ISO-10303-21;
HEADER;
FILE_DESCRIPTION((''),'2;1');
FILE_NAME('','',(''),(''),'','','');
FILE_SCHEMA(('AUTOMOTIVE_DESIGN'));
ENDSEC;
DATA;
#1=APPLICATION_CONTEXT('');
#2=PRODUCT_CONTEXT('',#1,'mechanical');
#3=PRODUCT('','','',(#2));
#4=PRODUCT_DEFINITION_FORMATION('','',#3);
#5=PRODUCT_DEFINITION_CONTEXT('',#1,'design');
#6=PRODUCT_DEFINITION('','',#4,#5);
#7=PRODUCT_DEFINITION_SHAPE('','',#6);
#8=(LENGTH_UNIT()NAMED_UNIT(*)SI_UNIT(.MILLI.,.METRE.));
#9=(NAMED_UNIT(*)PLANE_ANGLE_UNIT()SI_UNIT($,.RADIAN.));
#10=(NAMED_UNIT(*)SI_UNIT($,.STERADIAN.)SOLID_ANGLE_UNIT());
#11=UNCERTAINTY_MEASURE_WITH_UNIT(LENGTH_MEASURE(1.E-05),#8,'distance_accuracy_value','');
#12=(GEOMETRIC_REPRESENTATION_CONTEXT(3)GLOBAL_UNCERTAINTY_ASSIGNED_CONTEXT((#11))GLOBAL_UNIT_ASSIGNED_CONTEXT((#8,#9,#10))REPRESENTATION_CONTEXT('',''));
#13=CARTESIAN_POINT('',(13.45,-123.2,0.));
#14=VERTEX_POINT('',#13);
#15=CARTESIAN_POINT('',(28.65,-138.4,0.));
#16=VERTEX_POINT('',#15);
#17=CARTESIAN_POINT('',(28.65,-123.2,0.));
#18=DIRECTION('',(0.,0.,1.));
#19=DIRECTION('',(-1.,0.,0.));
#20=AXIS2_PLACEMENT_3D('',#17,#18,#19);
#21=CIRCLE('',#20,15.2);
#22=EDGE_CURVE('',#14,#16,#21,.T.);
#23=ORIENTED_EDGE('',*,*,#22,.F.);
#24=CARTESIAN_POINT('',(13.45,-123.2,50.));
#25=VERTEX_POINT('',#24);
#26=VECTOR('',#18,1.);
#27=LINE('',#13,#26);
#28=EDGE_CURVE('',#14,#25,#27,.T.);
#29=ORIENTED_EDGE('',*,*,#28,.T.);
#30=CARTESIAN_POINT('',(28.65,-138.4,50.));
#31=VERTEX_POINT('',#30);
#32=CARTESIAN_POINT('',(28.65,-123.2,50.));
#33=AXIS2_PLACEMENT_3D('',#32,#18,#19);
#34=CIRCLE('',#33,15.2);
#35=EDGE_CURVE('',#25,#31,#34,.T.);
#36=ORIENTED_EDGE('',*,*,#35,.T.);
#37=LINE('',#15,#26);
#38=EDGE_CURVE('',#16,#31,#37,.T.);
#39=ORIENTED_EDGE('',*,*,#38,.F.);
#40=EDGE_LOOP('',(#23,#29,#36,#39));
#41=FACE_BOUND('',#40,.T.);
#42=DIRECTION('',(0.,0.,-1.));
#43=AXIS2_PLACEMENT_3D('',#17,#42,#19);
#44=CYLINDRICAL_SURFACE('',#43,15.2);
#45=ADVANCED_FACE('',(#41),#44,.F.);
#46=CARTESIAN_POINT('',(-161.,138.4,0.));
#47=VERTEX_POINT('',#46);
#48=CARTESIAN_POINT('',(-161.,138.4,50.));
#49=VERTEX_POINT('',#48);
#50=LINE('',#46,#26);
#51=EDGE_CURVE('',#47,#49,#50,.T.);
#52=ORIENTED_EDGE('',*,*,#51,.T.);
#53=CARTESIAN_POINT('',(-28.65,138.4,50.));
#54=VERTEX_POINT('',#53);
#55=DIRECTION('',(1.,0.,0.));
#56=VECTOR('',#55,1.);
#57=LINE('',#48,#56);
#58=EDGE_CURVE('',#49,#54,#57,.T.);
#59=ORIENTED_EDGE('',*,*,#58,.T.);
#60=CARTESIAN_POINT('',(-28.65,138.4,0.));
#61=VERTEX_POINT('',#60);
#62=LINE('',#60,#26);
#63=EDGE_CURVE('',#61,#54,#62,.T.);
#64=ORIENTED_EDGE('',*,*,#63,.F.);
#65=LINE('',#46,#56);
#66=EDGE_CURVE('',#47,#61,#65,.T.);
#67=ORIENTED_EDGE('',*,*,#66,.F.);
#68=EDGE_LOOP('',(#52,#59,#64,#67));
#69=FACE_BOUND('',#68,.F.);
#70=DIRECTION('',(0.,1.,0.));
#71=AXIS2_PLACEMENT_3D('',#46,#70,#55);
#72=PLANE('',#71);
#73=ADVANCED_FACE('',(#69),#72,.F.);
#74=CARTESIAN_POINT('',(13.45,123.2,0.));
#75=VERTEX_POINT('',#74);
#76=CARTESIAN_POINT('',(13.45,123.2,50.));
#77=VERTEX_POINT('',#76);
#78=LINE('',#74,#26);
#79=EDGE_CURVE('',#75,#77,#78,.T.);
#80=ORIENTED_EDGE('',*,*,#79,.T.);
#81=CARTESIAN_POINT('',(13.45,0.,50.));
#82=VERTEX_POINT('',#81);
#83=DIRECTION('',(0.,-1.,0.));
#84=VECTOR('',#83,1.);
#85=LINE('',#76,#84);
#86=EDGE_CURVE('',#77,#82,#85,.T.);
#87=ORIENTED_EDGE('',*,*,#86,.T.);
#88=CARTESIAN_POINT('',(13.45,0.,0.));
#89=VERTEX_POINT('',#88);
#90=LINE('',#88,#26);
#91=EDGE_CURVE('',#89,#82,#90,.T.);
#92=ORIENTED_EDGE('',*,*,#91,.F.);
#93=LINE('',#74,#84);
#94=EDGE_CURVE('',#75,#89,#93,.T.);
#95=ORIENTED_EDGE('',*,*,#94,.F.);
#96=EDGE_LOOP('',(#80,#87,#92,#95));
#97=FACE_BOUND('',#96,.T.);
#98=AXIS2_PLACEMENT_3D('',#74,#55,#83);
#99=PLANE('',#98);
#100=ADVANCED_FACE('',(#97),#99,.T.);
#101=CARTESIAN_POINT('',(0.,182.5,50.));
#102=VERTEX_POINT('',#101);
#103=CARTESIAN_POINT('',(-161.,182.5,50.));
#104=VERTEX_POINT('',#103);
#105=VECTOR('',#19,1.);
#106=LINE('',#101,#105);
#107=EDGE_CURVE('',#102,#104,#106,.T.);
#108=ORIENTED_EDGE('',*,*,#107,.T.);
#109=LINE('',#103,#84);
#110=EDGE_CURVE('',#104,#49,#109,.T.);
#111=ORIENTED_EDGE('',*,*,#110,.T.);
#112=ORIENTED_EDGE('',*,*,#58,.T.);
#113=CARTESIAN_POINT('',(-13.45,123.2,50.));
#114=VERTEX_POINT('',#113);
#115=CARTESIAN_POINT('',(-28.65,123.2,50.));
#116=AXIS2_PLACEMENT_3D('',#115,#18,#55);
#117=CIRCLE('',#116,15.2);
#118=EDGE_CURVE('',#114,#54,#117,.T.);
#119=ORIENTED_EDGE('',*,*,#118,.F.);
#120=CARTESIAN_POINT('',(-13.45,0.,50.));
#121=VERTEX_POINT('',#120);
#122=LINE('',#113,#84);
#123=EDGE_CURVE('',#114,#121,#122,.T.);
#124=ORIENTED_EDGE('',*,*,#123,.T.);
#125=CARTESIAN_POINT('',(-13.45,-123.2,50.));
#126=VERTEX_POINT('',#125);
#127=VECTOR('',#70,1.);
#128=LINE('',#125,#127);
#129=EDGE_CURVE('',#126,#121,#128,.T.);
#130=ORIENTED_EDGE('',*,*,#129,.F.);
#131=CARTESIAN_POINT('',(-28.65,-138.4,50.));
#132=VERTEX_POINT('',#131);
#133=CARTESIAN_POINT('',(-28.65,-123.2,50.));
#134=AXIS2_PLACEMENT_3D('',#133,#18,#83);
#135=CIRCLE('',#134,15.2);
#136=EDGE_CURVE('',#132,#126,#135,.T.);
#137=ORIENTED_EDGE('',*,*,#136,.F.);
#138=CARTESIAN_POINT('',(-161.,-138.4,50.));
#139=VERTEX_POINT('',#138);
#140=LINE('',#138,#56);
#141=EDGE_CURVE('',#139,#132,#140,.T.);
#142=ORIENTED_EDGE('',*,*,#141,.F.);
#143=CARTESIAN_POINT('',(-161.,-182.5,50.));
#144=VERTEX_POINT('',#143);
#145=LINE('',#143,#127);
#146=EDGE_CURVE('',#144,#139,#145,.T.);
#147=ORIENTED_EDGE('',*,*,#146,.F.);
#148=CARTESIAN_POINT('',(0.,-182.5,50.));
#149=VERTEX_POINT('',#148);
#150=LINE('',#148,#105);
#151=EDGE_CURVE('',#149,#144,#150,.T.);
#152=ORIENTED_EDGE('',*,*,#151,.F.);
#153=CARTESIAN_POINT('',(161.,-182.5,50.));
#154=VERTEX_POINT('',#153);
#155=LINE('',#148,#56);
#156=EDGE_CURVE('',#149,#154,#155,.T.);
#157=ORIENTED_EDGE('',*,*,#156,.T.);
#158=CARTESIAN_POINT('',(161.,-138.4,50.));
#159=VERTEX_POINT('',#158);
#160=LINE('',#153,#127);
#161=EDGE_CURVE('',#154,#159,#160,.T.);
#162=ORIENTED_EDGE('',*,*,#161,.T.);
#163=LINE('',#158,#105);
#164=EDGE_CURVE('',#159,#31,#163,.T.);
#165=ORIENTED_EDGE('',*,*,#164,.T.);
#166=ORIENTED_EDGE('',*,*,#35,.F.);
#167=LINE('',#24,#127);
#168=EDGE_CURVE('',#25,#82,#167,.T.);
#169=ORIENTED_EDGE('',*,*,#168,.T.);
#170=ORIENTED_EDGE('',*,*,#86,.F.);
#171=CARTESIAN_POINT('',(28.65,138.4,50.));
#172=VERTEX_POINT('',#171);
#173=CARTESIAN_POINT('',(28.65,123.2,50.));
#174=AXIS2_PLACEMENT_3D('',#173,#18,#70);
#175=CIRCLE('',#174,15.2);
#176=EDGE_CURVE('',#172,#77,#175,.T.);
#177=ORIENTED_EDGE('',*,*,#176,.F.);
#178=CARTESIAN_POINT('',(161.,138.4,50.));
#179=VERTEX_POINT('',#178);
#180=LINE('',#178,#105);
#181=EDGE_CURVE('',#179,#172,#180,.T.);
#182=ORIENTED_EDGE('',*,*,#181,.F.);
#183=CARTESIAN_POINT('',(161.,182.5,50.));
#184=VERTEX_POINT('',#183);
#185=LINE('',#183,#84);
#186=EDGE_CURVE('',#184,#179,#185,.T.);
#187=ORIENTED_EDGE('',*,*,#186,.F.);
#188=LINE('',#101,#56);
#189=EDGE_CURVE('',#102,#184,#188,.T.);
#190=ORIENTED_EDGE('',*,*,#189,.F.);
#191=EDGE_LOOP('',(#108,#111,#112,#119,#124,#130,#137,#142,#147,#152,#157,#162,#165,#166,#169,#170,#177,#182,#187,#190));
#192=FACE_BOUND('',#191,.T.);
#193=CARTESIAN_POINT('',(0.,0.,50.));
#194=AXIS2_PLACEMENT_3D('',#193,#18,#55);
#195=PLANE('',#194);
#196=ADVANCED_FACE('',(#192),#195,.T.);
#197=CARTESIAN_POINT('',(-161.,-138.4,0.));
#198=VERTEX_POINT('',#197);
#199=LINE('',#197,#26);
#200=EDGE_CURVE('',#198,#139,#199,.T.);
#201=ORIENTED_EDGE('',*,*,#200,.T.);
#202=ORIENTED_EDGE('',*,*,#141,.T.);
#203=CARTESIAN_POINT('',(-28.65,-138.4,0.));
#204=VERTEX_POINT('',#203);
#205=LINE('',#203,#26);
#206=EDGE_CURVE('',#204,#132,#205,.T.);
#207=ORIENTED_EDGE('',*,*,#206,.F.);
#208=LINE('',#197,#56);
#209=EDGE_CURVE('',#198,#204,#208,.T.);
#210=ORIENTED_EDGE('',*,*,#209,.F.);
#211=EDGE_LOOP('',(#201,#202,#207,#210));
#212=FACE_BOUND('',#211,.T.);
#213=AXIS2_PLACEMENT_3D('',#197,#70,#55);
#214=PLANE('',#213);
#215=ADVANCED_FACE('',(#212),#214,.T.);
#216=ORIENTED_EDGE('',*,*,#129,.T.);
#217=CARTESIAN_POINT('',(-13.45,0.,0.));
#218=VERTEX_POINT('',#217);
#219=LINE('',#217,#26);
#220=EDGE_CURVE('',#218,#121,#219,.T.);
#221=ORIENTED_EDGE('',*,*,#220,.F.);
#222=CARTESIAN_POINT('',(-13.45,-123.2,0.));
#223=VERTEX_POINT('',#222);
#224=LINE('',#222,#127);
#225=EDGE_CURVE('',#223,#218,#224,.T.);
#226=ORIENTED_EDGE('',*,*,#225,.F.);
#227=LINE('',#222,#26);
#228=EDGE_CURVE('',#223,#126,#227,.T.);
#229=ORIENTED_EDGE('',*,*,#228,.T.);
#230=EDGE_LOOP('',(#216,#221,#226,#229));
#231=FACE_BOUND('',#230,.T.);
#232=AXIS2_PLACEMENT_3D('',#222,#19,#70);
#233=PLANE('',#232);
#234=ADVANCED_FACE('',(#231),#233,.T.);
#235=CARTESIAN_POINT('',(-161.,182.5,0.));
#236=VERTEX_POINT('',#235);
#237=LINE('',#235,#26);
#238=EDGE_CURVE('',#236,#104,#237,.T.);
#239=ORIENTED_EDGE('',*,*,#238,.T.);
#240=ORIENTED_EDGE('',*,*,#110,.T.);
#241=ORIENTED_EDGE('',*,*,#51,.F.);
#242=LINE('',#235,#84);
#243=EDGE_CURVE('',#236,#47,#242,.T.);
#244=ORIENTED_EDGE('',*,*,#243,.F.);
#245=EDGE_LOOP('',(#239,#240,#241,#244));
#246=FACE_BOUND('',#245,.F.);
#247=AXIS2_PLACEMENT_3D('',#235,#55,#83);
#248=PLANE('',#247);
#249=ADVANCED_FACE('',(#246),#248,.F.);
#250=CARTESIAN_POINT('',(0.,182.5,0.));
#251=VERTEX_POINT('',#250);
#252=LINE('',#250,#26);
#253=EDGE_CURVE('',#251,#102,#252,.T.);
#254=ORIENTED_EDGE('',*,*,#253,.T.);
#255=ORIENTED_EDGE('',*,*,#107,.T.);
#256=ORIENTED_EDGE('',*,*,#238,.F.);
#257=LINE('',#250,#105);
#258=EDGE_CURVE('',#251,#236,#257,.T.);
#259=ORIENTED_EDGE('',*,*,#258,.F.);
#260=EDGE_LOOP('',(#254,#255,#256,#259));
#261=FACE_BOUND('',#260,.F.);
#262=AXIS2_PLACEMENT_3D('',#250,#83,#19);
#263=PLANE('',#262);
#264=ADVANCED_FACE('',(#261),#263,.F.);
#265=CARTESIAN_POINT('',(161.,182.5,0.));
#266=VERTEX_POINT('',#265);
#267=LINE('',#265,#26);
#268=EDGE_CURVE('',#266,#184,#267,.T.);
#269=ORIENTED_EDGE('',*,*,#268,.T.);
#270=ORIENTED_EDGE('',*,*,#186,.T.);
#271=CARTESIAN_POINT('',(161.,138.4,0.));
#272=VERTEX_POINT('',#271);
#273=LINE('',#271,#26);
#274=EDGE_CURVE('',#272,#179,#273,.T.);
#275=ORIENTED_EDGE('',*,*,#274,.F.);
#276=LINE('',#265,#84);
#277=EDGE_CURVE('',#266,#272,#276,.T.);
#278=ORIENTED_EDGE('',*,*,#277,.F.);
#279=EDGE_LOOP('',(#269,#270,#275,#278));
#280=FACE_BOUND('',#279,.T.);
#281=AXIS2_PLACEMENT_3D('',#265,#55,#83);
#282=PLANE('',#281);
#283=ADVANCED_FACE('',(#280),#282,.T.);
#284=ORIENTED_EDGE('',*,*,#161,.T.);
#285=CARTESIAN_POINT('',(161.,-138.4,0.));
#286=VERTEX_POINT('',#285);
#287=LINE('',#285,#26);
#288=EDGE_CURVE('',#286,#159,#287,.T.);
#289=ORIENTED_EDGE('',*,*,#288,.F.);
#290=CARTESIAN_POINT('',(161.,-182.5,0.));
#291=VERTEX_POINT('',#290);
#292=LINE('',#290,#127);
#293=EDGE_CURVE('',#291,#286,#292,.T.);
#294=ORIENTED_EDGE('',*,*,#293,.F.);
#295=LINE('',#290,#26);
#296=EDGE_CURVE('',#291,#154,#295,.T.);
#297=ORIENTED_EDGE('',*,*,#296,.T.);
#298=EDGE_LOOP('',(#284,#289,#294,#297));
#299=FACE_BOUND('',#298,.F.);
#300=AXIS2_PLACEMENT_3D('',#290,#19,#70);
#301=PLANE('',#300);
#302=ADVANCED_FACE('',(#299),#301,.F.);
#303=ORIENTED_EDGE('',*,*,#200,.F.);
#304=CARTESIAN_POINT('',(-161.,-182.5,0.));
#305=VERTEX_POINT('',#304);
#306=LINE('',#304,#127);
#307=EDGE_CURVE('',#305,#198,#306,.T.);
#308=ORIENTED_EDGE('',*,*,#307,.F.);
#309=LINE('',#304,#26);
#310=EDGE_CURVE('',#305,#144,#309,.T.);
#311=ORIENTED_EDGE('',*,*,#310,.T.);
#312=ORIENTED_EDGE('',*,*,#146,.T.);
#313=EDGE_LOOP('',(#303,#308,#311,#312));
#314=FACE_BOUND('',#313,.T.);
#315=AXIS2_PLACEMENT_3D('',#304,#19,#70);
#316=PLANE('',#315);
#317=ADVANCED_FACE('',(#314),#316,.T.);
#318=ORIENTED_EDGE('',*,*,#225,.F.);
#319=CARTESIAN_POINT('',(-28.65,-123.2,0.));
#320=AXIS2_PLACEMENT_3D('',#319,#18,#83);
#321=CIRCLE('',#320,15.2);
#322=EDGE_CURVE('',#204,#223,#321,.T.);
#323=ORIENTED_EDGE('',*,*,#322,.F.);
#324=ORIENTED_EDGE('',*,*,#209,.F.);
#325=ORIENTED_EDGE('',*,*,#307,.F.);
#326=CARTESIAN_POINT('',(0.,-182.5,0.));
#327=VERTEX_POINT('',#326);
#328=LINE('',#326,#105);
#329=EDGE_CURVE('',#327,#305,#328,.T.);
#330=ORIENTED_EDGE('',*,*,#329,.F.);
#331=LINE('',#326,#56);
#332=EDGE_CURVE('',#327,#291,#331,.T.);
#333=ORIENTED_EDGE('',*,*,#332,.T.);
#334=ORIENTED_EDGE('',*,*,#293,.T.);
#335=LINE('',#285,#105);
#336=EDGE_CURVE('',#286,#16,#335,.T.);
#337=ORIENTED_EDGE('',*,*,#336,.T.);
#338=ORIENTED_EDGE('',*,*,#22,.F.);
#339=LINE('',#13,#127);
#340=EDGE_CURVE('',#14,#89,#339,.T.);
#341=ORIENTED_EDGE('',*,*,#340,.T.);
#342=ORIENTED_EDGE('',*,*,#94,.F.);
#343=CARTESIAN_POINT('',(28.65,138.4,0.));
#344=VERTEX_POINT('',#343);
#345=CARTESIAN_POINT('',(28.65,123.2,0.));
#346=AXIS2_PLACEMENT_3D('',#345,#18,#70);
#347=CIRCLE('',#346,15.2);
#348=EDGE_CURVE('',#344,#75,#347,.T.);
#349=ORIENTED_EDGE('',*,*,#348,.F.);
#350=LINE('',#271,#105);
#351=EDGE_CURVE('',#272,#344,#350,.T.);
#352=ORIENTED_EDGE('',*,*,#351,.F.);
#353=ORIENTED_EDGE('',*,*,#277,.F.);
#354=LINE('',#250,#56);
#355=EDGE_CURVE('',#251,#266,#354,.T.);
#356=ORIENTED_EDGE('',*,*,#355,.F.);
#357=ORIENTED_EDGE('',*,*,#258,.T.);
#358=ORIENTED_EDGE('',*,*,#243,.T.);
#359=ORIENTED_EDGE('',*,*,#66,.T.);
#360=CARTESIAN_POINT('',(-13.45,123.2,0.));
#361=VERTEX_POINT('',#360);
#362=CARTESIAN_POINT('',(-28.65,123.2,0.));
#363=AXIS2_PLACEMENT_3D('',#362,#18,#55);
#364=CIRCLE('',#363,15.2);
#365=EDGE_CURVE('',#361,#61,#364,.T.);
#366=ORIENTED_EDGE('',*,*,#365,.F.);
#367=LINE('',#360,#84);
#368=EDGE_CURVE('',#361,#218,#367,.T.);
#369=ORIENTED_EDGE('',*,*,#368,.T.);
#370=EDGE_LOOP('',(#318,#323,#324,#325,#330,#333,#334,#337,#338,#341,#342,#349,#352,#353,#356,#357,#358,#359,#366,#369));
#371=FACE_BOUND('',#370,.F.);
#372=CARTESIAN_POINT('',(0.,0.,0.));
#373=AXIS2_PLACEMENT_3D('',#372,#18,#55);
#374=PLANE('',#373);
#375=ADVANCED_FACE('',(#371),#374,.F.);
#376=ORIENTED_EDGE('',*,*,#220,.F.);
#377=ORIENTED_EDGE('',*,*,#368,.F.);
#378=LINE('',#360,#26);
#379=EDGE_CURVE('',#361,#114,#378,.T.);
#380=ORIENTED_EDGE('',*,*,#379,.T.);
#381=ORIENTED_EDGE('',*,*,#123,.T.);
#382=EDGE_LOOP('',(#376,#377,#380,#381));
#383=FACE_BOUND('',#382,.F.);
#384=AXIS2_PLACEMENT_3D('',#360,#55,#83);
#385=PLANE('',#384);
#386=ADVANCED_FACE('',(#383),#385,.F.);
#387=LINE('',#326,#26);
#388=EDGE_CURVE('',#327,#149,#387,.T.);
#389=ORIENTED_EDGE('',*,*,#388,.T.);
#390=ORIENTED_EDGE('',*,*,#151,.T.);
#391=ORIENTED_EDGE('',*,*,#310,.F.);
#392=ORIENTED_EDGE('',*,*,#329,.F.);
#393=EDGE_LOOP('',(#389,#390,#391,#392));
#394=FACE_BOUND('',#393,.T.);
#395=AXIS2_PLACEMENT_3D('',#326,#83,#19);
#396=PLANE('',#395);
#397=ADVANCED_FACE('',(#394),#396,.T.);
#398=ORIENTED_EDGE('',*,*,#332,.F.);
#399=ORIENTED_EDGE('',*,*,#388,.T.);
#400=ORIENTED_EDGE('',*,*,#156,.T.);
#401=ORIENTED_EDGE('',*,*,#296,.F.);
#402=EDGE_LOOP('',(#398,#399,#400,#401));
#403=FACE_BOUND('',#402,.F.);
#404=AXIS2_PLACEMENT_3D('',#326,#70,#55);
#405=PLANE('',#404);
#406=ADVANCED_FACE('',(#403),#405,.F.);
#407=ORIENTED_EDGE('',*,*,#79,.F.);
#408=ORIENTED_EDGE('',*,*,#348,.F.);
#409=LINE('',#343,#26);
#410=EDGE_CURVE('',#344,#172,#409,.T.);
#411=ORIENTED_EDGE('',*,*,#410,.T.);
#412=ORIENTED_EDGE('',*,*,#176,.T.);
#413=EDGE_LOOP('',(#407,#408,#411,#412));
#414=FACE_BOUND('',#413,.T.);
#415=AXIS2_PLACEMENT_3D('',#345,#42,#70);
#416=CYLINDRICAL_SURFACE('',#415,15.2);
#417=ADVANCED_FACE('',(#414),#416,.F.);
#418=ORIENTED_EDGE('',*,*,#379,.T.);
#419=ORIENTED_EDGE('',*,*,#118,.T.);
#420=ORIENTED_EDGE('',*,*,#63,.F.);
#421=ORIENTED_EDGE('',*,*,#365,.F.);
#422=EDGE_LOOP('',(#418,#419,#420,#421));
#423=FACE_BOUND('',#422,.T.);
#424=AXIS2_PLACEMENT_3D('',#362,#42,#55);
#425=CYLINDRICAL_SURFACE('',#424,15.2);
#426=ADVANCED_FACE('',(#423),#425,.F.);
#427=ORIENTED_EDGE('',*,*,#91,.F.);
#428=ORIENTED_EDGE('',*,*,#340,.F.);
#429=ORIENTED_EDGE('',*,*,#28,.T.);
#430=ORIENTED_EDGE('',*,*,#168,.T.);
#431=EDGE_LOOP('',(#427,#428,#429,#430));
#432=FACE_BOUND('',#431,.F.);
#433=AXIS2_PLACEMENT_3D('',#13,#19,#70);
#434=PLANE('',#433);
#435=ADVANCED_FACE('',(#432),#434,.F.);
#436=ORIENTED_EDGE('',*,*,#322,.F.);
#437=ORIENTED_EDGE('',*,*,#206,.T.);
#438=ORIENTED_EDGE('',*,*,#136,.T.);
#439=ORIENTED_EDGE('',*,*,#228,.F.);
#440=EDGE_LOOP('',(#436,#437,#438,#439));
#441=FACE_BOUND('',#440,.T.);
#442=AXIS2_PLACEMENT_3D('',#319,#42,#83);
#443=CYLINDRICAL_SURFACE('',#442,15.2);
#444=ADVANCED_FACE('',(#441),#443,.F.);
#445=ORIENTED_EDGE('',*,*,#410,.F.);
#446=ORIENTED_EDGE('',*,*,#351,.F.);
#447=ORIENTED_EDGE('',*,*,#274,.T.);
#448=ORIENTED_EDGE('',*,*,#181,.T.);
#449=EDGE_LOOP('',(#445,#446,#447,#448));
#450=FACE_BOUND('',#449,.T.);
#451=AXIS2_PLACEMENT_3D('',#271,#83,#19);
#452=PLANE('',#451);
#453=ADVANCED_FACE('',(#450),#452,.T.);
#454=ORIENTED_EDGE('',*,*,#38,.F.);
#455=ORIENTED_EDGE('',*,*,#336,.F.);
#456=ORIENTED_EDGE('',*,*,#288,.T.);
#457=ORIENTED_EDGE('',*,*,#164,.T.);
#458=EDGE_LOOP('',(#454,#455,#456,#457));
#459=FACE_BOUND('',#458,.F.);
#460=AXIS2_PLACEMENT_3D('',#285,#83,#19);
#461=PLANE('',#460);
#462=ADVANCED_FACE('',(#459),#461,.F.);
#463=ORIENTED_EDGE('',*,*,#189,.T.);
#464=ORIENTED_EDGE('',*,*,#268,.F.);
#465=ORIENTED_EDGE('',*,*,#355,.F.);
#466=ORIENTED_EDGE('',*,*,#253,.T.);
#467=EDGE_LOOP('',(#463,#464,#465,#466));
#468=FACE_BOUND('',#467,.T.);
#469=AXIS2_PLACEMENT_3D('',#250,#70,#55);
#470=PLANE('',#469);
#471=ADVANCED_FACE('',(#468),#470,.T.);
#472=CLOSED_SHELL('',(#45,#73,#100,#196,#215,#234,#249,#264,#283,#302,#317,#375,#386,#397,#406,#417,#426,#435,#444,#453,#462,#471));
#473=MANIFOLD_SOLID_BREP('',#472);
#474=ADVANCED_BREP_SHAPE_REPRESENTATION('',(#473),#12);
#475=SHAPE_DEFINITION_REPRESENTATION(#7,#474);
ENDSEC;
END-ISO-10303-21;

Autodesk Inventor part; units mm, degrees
ref_plane "YZ Plane" through (0, 0, 0) normal (1, 0, 0) x (0, 1, 0)
ref_plane "Start plane" through (0, 0, 0) normal (0, 0, 1) x (1, 0, 0)
ref_plane "End plane" through (0, 0, 50) normal (0, 0, 1) x (1, 0, 0)
sketch "Sketch" plane through (0, 0, 0) normal (0, 0, 1) x (1, 0, 0)
  line L0 (-161, -182.5) -> (-161, -138.4)
  line L1 (-161, -138.4) -> (-28.65, -138.4)
  line L2 (-13.45, -123.2) -> (-13.45, 0)
  line L3 (-13.45, 0) -> (0, 0) construction
  line L4 (0, 0) -> (0, -182.5) construction
  line L5 (0, -182.5) -> (-161, -182.5)
  line L6 (-60, 0) -> (80, 0) construction
  line L7 (0, -60) -> (0, 80) construction
  line L8 (161, -182.5) -> (161, -138.4)
  line L9 (161, -138.4) -> (28.65, -138.4)
  line L10 (13.45, -123.2) -> (13.45, 0)
  line L11 (13.45, 0) -> (0, 0) construction
  line L12 (0, -182.5) -> (161, -182.5)
  line L13 (-161, 182.5) -> (-161, 138.4)
  line L14 (-161, 138.4) -> (-28.65, 138.4)
  line L15 (-13.45, 123.2) -> (-13.45, 0)
  line L16 (0, 182.5) -> (-161, 182.5)
  line L17 (161, 182.5) -> (161, 138.4)
  line L18 (161, 138.4) -> (28.65, 138.4)
  line L19 (0, 182.5) -> (161, 182.5)
  line L20 (13.45, 123.2) -> (13.45, 0)
  arc A0 (-13.45, 123.2) -> (-28.65, 138.4) centre (-28.65, 123.2) ccw
  arc A1 (28.65, 138.4) -> (13.45, 123.2) centre (28.65, 123.2) ccw
  arc A2 (13.45, -123.2) -> (28.65, -138.4) centre (28.65, -123.2) ccw
  arc A3 (-28.65, -138.4) -> (-13.45, -123.2) centre (-28.65, -123.2) ccw
  line L21 (0, 108) -> (0, -88) construction
  line L22 (-88, 0) -> (108, 0) construction
  point P0 (-13.45, -138.4)
  point P1 (13.45, -138.4)
  point P2 (-13.45, 138.4)
  point P3 (13.45, 138.4)
  dimension "d1" = 182.5
  dimension "d2" = 44.1
  dimension "d3" = 161
  dimension "d4" = 13.45
  dimension "d10" = 15.2
extrude "Body" add sketch "Sketch" along normal up to surface (50 mm away) from surface at 0
sketch "Sketch4" plane through (0, 0, 0) normal (0, 0, 1) x (1, 0, 0)
  line L0 (0, 0) -> (10, 0)
ref_plane "Work Plane3" through (0, 0, 0) normal (0, -1, 0) x (1, 0, 0)
sketch "Sketch5" plane through (0, 0, 0) normal (0, -1, 0) x (1, 0, 0)
  line L0 (-2, 0) -> (12, 0) projected
  line L1 (-2, 50) -> (12, 50) projected
  dimension "d14" = 50
equation "\"d1\" = 0.5 * G_H"
equation "\"d2\" = G_T1"
equation "\"d3\" = 0.5 * G_W"
equation "\"d4\" = 0.5 * G_T"
equation "\"d10\" = G_IR"
equation "\"d5\" = G_L"
equation "\"G_W\" = 322"
equation "\"G_H\" = 365"
equation "\"G_T\" = 26.9"
equation "\"G_T1\" = 44.1"
equation "\"G_IR\" = 15.2"
equation "\"G_L\" = d14"
equation "\"G_OFFSET_START\" = 0"
equation "\"G_OFFSET_END\" = 0"
properties part number "AS 3679 - 310 UC - 283 - 50" material "Steel, Mild"
